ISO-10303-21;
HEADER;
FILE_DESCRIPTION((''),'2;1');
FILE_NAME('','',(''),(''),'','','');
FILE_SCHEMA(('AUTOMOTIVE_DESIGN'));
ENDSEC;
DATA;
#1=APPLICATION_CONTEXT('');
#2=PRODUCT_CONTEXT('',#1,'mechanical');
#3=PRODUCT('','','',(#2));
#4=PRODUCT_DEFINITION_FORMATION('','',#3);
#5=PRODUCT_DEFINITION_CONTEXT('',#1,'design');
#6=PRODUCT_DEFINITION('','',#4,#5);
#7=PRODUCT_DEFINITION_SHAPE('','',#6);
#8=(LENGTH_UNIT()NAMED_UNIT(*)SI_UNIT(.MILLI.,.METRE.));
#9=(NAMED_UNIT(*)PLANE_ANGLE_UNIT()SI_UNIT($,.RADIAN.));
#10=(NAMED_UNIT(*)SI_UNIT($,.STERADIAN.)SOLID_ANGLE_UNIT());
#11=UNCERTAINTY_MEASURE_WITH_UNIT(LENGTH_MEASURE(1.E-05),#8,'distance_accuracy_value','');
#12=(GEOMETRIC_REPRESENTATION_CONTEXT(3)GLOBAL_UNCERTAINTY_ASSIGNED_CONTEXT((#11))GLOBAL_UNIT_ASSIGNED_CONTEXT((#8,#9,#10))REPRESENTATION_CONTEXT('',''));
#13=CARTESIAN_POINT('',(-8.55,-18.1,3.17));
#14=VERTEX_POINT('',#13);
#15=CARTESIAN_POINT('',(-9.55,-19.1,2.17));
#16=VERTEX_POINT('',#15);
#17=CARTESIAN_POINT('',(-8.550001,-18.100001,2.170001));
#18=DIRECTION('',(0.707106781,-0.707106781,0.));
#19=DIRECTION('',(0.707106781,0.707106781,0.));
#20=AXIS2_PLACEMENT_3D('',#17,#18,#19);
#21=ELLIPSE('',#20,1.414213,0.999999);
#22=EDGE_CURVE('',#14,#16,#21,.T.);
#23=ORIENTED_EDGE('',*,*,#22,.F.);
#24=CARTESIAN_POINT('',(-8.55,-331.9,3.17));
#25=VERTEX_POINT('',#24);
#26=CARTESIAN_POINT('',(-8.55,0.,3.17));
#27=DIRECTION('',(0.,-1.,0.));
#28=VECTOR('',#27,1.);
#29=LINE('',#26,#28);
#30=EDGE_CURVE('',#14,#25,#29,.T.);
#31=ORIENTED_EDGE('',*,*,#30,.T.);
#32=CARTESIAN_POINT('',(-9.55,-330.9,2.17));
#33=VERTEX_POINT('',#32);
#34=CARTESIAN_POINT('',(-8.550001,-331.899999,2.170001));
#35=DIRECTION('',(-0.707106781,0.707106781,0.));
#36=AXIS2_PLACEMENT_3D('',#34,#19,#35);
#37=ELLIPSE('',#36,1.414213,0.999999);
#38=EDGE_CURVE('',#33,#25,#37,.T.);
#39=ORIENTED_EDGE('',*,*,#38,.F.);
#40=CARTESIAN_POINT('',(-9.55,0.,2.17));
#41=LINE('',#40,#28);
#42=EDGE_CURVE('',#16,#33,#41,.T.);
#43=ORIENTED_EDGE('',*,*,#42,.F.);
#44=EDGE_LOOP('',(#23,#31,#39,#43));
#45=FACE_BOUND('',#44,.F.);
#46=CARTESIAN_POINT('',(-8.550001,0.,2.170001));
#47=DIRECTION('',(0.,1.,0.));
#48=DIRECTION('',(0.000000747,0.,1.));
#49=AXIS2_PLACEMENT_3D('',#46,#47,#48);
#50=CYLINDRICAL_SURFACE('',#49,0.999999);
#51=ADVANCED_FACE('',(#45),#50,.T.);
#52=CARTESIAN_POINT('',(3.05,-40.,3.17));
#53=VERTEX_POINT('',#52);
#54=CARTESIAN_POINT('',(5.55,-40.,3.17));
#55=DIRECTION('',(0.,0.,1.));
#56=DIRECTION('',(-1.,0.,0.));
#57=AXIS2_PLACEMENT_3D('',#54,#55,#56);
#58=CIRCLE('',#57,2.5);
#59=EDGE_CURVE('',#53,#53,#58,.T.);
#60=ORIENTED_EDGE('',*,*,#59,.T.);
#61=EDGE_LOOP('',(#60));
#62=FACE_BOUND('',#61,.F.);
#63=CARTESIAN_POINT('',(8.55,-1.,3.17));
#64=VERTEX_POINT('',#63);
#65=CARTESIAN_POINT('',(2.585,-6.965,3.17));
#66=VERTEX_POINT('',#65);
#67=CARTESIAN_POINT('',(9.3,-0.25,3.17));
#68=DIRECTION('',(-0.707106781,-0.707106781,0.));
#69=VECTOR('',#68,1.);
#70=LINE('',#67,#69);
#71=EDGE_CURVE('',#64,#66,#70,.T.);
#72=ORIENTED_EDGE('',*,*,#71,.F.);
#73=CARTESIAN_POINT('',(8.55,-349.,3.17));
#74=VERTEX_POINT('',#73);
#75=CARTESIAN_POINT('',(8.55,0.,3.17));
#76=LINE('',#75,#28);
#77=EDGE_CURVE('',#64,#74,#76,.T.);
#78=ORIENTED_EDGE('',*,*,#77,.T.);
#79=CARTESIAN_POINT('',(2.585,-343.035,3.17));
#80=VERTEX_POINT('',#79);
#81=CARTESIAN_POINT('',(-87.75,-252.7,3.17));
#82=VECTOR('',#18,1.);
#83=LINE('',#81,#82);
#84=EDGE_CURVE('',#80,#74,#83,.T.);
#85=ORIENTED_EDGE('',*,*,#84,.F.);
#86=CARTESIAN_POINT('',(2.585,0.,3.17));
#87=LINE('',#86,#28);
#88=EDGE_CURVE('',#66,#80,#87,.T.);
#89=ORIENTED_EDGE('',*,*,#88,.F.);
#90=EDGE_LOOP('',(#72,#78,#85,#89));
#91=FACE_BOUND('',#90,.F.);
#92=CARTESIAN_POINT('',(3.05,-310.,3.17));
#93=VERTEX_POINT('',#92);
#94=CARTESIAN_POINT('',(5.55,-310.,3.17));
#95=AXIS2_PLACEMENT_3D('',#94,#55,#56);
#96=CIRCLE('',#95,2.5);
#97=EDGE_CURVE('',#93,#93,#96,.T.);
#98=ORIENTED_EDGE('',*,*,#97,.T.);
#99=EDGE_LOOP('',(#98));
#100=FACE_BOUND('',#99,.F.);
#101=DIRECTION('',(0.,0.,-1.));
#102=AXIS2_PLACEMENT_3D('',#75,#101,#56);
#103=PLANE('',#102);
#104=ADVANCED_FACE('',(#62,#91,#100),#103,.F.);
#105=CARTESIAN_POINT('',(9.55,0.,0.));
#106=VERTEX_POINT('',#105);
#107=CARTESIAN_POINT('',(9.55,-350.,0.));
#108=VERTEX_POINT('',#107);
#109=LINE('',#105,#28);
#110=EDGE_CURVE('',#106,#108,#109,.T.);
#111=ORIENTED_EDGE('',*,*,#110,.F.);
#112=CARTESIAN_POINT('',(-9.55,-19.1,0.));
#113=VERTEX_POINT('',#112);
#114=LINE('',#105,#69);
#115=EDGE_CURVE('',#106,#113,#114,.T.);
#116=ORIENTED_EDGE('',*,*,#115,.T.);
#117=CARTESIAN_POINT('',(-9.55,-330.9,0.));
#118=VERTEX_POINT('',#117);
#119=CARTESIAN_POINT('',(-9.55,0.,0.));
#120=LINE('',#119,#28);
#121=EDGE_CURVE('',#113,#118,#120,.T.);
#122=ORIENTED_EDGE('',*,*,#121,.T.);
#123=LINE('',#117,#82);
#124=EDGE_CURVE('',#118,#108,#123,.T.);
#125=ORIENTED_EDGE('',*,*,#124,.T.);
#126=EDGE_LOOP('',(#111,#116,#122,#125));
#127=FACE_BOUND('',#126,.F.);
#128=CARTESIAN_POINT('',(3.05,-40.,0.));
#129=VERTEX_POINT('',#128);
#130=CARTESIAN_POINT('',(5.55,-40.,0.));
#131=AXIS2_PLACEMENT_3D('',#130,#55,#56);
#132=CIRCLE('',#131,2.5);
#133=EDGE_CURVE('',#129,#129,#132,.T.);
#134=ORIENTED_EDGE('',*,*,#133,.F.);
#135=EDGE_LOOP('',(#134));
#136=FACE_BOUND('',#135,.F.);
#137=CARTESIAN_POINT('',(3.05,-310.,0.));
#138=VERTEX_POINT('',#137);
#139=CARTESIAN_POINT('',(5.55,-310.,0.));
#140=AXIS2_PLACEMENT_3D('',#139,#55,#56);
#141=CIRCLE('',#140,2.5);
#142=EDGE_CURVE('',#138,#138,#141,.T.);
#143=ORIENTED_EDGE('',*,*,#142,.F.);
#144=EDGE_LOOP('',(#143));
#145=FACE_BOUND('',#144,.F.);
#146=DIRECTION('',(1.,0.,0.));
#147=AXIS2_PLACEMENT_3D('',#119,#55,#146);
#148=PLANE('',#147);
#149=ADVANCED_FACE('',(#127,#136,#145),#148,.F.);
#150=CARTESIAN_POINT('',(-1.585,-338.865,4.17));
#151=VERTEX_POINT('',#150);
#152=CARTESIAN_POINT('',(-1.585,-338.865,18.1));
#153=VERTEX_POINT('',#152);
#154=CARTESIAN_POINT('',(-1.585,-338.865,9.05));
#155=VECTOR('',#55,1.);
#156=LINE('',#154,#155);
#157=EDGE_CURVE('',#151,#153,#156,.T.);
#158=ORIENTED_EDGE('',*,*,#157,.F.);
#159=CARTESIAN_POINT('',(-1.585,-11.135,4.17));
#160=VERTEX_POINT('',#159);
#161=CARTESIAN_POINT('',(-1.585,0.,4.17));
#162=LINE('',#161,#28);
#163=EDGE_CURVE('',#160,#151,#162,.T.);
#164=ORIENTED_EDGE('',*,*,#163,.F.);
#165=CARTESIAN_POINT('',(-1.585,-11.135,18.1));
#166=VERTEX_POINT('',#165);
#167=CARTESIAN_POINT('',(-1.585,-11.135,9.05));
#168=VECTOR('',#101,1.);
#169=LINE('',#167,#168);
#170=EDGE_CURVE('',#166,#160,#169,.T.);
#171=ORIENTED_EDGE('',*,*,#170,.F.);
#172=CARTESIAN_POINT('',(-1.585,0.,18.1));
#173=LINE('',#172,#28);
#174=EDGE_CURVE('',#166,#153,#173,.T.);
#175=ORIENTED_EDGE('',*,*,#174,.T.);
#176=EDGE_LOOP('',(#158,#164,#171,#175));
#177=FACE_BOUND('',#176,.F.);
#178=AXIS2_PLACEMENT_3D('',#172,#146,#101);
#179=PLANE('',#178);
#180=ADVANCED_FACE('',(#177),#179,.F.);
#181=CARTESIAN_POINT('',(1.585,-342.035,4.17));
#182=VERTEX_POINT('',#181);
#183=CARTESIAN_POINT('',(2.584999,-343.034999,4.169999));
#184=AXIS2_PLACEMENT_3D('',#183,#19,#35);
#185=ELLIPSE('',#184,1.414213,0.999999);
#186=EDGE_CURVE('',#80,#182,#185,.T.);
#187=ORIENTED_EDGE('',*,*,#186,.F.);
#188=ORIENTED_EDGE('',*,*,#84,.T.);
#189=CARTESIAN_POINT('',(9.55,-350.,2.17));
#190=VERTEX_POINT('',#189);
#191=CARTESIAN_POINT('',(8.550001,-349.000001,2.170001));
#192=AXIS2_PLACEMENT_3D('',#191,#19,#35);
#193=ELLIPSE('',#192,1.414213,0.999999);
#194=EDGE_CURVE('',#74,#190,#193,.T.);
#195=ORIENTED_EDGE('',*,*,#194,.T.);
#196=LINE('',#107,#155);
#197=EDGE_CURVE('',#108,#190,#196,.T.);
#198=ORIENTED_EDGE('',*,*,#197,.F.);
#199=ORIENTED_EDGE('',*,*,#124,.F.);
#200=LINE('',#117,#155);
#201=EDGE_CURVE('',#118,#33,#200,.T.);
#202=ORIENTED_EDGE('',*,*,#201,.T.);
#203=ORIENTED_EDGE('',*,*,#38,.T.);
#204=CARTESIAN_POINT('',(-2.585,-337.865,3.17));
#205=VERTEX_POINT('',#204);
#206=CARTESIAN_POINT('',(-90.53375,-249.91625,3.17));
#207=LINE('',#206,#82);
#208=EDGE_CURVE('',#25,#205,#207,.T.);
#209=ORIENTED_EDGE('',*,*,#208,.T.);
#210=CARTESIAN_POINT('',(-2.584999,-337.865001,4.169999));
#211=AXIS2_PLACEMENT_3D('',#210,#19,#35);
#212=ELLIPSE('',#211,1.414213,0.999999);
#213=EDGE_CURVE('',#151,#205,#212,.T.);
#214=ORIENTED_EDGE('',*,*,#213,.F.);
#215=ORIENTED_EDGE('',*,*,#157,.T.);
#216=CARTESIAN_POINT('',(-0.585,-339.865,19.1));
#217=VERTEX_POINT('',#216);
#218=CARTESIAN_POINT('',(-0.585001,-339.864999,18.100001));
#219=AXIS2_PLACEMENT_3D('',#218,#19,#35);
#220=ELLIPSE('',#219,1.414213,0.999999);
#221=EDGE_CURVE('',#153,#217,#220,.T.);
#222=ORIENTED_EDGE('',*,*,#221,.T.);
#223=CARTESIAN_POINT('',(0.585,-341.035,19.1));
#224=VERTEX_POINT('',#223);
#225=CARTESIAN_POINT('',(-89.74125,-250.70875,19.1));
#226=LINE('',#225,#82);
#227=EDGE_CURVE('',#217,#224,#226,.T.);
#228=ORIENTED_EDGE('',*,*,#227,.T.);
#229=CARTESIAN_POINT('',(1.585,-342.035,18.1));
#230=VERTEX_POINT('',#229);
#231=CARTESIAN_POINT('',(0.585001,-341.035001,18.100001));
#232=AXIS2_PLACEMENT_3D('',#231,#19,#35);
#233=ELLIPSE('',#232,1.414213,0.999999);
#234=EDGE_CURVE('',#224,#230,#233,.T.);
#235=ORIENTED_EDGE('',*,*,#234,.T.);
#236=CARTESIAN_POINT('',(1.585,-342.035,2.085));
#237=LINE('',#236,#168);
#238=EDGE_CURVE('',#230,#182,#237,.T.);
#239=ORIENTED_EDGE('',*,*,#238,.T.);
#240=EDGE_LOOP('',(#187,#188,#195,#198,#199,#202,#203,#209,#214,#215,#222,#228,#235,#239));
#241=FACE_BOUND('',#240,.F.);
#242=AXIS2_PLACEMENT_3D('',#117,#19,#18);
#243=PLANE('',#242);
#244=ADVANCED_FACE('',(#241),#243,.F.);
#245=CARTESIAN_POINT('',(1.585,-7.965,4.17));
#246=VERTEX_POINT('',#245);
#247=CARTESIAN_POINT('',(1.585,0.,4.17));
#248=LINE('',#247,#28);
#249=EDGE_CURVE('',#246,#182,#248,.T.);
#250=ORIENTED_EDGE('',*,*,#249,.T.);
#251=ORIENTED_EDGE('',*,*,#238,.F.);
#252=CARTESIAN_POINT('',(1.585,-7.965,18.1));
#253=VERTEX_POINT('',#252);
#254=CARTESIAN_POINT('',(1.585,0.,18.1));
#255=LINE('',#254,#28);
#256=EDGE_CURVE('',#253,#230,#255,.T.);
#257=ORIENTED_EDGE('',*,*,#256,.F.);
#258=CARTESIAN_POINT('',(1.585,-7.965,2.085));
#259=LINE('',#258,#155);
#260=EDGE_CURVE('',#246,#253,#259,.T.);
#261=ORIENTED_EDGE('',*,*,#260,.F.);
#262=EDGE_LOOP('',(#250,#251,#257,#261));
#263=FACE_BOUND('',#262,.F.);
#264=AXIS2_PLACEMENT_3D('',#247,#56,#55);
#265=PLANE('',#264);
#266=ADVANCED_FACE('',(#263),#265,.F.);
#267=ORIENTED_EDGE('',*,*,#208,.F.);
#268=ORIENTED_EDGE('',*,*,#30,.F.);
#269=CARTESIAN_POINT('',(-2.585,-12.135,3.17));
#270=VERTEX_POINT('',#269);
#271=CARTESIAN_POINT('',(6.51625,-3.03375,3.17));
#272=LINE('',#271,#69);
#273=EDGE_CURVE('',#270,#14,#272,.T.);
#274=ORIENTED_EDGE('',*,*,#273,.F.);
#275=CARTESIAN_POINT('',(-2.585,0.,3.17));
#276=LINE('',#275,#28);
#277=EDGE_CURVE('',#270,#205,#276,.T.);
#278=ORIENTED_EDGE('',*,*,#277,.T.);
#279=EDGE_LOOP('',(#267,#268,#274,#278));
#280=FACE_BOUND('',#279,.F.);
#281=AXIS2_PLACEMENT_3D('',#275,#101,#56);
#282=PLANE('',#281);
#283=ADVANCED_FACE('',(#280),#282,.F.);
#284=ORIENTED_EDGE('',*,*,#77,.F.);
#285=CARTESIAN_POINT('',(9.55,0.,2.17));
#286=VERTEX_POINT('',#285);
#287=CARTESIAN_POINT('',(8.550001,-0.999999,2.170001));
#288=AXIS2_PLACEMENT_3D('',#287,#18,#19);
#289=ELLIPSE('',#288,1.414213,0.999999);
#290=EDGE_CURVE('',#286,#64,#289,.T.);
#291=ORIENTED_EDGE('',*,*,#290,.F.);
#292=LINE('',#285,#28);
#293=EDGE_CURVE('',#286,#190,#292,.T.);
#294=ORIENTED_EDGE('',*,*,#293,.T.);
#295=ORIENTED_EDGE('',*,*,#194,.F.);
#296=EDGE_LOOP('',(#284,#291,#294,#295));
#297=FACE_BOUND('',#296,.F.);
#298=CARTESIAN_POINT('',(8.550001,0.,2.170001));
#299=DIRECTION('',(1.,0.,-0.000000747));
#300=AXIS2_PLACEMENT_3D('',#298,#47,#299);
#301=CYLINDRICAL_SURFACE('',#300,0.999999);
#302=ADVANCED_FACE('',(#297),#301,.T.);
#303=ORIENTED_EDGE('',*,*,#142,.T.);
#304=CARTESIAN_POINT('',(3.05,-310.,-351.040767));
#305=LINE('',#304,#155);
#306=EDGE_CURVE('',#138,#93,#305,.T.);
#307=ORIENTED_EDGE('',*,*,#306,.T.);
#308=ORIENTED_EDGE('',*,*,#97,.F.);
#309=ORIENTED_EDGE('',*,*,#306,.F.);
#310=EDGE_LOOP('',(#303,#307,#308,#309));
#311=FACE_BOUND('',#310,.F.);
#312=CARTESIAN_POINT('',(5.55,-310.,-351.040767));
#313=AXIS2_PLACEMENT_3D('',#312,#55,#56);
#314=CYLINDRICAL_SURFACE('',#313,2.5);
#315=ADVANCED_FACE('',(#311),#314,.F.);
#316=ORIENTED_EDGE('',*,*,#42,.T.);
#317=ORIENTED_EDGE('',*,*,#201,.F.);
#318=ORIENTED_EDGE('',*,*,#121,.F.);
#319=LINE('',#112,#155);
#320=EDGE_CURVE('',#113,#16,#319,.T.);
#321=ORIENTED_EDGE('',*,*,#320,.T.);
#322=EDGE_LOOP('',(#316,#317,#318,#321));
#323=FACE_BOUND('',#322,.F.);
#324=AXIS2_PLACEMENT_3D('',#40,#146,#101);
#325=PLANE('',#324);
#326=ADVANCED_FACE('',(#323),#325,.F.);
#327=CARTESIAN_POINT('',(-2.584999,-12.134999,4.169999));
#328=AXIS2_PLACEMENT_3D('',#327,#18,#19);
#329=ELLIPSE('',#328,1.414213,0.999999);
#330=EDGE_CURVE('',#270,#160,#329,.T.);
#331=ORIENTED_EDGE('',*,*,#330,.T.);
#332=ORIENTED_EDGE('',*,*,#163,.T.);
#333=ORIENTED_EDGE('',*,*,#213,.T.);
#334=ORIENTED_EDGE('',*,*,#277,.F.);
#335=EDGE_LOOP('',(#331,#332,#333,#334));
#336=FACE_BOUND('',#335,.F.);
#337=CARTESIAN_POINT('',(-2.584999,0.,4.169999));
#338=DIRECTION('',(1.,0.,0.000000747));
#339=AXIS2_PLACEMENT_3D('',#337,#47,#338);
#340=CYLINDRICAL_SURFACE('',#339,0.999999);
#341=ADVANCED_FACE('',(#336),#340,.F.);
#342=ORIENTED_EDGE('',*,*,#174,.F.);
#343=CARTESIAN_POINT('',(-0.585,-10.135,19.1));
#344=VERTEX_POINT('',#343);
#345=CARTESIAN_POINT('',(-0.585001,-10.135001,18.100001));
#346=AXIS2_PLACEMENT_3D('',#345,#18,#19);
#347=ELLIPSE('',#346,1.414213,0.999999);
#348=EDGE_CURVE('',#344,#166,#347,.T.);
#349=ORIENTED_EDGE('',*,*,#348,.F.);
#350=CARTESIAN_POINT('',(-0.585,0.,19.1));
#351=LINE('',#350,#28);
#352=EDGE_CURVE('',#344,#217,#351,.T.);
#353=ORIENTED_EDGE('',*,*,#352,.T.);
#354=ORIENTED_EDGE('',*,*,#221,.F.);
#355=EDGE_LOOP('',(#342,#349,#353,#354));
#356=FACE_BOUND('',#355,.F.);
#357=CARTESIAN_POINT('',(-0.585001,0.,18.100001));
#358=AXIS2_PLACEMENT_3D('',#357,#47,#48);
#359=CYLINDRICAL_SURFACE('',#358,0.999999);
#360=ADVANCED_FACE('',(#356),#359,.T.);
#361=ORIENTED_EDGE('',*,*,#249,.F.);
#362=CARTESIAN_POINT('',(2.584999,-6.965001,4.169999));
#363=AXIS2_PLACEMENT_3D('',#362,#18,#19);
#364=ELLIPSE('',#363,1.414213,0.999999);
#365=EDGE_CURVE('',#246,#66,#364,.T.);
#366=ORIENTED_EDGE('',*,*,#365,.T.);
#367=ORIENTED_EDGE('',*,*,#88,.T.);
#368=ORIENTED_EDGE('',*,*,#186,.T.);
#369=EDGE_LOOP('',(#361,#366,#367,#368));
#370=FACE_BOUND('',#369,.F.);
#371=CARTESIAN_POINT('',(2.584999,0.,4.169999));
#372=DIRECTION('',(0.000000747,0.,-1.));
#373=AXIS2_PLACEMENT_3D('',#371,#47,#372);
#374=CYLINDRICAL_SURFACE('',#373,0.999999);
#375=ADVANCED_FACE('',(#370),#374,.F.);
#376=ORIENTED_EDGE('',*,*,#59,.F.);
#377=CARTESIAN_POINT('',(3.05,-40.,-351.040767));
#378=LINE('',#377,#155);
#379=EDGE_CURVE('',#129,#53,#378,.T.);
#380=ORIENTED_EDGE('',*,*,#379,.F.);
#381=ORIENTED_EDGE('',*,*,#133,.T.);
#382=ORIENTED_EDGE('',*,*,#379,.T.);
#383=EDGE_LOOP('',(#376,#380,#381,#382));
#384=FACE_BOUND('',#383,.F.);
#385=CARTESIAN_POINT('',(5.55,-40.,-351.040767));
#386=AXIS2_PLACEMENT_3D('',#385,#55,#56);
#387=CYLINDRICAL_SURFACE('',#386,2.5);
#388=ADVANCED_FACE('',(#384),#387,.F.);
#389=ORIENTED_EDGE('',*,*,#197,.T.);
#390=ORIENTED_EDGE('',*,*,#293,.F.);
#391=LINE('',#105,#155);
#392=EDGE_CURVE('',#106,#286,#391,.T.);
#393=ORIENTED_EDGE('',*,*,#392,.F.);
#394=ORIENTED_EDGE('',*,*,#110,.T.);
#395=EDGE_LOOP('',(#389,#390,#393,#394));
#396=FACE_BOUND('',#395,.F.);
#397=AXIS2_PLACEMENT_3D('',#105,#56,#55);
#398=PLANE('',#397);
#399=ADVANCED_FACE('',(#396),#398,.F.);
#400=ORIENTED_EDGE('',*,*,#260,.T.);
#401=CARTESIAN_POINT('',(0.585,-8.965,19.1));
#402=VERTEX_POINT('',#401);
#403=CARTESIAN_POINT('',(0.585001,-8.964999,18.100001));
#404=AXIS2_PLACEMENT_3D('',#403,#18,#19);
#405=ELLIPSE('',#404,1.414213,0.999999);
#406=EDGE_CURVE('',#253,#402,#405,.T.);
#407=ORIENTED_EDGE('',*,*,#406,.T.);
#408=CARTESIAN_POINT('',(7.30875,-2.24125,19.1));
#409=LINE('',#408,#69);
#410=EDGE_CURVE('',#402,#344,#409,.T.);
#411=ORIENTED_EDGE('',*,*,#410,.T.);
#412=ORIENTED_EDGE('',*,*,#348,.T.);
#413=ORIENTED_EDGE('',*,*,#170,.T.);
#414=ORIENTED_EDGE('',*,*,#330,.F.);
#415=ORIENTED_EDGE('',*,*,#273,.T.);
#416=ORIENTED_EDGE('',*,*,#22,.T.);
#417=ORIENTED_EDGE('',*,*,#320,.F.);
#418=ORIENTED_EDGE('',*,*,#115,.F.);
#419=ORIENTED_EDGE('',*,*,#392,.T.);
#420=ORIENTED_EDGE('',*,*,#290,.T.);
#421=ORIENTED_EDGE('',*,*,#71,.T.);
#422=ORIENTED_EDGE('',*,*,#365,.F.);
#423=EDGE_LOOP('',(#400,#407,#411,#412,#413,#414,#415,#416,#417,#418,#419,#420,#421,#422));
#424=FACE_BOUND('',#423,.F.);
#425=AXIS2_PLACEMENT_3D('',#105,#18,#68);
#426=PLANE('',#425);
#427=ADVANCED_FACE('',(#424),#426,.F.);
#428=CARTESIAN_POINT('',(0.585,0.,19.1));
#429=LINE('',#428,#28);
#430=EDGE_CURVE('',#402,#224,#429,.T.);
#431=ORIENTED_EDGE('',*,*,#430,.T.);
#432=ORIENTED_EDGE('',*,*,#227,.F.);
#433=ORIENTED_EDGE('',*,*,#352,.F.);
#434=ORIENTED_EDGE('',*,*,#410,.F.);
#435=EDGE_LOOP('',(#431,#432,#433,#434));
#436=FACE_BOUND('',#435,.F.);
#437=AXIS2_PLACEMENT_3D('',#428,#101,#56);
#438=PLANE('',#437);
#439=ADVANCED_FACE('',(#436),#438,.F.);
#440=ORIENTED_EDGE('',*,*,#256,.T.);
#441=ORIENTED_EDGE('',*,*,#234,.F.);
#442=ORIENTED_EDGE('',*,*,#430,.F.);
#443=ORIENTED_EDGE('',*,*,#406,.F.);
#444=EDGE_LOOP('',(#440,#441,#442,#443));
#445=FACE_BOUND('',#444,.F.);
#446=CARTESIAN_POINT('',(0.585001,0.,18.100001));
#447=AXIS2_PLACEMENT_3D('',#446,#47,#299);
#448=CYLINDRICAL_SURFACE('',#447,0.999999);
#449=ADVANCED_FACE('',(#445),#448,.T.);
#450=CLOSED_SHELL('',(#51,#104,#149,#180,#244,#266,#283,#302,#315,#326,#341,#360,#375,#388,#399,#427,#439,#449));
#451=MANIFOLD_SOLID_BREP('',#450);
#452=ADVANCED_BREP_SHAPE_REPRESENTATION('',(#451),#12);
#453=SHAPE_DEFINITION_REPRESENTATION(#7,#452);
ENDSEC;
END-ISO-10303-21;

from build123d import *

# Parameters (mm, degrees)
F1_DEPTH = 350
F3_DEPTH = 20
F5_D     = 5


with BuildPart() as f1:
    # F0 (on Front) → F1 (new body)
    with BuildSketch(Plane.XZ):
        with BuildLine():
            Line((-9.55, 2.17), (-9.55, 0))
            Line((-9.55, 0), (9.55, 0))
            Line((9.55, 0), (9.55, 2.17))
            ThreePointArc((9.55, 2.17), (9.257107, 2.877107), (8.55, 3.17))
            Line((8.55, 3.17), (2.585, 3.17))
            ThreePointArc((2.585, 3.17), (1.877893, 3.462893), (1.585, 4.17))
            Line((1.585, 4.17), (1.585, 18.1))
            ThreePointArc((1.585, 18.1), (1.292107, 18.807107), (0.585, 19.1))
            Line((0.585, 19.1), (-0.585, 19.1))
            ThreePointArc((-0.585, 19.1), (-1.292107, 18.807107), (-1.585, 18.1))
            Line((-1.585, 18.1), (-1.585, 4.17))
            ThreePointArc((-1.585, 4.17), (-1.877893, 3.462893), (-2.585, 3.17))
            Line((-2.585, 3.17), (-8.55, 3.17))
            ThreePointArc((-8.55, 3.17), (-9.257107, 2.877107), (-9.55, 2.17))
        make_face()
    extrude(amount=F1_DEPTH)

    # F2 (on face) → F3 (cut)
    with BuildSketch(Plane(origin=(0, 0, 0), x_dir=(1, 0, 0), z_dir=(0, 0, -1))):
        Polygon((-9.55, 330.9), (9.55, 350), (-9.55, 350), align=None)
        Polygon((-9.55, 0), (9.55, 0), (-9.55, 19.1), align=None)
    extrude(amount=-F3_DEPTH, mode=Mode.SUBTRACT)

    # F5 (through all)
    with Locations(Plane(origin=(0, 0, 0), x_dir=(1, 0, 0), z_dir=(0, 0, -1))):
        with Locations((5.55, 310), (5.55, 40)):
            Hole(F5_D / 2)


solid = f1.part
